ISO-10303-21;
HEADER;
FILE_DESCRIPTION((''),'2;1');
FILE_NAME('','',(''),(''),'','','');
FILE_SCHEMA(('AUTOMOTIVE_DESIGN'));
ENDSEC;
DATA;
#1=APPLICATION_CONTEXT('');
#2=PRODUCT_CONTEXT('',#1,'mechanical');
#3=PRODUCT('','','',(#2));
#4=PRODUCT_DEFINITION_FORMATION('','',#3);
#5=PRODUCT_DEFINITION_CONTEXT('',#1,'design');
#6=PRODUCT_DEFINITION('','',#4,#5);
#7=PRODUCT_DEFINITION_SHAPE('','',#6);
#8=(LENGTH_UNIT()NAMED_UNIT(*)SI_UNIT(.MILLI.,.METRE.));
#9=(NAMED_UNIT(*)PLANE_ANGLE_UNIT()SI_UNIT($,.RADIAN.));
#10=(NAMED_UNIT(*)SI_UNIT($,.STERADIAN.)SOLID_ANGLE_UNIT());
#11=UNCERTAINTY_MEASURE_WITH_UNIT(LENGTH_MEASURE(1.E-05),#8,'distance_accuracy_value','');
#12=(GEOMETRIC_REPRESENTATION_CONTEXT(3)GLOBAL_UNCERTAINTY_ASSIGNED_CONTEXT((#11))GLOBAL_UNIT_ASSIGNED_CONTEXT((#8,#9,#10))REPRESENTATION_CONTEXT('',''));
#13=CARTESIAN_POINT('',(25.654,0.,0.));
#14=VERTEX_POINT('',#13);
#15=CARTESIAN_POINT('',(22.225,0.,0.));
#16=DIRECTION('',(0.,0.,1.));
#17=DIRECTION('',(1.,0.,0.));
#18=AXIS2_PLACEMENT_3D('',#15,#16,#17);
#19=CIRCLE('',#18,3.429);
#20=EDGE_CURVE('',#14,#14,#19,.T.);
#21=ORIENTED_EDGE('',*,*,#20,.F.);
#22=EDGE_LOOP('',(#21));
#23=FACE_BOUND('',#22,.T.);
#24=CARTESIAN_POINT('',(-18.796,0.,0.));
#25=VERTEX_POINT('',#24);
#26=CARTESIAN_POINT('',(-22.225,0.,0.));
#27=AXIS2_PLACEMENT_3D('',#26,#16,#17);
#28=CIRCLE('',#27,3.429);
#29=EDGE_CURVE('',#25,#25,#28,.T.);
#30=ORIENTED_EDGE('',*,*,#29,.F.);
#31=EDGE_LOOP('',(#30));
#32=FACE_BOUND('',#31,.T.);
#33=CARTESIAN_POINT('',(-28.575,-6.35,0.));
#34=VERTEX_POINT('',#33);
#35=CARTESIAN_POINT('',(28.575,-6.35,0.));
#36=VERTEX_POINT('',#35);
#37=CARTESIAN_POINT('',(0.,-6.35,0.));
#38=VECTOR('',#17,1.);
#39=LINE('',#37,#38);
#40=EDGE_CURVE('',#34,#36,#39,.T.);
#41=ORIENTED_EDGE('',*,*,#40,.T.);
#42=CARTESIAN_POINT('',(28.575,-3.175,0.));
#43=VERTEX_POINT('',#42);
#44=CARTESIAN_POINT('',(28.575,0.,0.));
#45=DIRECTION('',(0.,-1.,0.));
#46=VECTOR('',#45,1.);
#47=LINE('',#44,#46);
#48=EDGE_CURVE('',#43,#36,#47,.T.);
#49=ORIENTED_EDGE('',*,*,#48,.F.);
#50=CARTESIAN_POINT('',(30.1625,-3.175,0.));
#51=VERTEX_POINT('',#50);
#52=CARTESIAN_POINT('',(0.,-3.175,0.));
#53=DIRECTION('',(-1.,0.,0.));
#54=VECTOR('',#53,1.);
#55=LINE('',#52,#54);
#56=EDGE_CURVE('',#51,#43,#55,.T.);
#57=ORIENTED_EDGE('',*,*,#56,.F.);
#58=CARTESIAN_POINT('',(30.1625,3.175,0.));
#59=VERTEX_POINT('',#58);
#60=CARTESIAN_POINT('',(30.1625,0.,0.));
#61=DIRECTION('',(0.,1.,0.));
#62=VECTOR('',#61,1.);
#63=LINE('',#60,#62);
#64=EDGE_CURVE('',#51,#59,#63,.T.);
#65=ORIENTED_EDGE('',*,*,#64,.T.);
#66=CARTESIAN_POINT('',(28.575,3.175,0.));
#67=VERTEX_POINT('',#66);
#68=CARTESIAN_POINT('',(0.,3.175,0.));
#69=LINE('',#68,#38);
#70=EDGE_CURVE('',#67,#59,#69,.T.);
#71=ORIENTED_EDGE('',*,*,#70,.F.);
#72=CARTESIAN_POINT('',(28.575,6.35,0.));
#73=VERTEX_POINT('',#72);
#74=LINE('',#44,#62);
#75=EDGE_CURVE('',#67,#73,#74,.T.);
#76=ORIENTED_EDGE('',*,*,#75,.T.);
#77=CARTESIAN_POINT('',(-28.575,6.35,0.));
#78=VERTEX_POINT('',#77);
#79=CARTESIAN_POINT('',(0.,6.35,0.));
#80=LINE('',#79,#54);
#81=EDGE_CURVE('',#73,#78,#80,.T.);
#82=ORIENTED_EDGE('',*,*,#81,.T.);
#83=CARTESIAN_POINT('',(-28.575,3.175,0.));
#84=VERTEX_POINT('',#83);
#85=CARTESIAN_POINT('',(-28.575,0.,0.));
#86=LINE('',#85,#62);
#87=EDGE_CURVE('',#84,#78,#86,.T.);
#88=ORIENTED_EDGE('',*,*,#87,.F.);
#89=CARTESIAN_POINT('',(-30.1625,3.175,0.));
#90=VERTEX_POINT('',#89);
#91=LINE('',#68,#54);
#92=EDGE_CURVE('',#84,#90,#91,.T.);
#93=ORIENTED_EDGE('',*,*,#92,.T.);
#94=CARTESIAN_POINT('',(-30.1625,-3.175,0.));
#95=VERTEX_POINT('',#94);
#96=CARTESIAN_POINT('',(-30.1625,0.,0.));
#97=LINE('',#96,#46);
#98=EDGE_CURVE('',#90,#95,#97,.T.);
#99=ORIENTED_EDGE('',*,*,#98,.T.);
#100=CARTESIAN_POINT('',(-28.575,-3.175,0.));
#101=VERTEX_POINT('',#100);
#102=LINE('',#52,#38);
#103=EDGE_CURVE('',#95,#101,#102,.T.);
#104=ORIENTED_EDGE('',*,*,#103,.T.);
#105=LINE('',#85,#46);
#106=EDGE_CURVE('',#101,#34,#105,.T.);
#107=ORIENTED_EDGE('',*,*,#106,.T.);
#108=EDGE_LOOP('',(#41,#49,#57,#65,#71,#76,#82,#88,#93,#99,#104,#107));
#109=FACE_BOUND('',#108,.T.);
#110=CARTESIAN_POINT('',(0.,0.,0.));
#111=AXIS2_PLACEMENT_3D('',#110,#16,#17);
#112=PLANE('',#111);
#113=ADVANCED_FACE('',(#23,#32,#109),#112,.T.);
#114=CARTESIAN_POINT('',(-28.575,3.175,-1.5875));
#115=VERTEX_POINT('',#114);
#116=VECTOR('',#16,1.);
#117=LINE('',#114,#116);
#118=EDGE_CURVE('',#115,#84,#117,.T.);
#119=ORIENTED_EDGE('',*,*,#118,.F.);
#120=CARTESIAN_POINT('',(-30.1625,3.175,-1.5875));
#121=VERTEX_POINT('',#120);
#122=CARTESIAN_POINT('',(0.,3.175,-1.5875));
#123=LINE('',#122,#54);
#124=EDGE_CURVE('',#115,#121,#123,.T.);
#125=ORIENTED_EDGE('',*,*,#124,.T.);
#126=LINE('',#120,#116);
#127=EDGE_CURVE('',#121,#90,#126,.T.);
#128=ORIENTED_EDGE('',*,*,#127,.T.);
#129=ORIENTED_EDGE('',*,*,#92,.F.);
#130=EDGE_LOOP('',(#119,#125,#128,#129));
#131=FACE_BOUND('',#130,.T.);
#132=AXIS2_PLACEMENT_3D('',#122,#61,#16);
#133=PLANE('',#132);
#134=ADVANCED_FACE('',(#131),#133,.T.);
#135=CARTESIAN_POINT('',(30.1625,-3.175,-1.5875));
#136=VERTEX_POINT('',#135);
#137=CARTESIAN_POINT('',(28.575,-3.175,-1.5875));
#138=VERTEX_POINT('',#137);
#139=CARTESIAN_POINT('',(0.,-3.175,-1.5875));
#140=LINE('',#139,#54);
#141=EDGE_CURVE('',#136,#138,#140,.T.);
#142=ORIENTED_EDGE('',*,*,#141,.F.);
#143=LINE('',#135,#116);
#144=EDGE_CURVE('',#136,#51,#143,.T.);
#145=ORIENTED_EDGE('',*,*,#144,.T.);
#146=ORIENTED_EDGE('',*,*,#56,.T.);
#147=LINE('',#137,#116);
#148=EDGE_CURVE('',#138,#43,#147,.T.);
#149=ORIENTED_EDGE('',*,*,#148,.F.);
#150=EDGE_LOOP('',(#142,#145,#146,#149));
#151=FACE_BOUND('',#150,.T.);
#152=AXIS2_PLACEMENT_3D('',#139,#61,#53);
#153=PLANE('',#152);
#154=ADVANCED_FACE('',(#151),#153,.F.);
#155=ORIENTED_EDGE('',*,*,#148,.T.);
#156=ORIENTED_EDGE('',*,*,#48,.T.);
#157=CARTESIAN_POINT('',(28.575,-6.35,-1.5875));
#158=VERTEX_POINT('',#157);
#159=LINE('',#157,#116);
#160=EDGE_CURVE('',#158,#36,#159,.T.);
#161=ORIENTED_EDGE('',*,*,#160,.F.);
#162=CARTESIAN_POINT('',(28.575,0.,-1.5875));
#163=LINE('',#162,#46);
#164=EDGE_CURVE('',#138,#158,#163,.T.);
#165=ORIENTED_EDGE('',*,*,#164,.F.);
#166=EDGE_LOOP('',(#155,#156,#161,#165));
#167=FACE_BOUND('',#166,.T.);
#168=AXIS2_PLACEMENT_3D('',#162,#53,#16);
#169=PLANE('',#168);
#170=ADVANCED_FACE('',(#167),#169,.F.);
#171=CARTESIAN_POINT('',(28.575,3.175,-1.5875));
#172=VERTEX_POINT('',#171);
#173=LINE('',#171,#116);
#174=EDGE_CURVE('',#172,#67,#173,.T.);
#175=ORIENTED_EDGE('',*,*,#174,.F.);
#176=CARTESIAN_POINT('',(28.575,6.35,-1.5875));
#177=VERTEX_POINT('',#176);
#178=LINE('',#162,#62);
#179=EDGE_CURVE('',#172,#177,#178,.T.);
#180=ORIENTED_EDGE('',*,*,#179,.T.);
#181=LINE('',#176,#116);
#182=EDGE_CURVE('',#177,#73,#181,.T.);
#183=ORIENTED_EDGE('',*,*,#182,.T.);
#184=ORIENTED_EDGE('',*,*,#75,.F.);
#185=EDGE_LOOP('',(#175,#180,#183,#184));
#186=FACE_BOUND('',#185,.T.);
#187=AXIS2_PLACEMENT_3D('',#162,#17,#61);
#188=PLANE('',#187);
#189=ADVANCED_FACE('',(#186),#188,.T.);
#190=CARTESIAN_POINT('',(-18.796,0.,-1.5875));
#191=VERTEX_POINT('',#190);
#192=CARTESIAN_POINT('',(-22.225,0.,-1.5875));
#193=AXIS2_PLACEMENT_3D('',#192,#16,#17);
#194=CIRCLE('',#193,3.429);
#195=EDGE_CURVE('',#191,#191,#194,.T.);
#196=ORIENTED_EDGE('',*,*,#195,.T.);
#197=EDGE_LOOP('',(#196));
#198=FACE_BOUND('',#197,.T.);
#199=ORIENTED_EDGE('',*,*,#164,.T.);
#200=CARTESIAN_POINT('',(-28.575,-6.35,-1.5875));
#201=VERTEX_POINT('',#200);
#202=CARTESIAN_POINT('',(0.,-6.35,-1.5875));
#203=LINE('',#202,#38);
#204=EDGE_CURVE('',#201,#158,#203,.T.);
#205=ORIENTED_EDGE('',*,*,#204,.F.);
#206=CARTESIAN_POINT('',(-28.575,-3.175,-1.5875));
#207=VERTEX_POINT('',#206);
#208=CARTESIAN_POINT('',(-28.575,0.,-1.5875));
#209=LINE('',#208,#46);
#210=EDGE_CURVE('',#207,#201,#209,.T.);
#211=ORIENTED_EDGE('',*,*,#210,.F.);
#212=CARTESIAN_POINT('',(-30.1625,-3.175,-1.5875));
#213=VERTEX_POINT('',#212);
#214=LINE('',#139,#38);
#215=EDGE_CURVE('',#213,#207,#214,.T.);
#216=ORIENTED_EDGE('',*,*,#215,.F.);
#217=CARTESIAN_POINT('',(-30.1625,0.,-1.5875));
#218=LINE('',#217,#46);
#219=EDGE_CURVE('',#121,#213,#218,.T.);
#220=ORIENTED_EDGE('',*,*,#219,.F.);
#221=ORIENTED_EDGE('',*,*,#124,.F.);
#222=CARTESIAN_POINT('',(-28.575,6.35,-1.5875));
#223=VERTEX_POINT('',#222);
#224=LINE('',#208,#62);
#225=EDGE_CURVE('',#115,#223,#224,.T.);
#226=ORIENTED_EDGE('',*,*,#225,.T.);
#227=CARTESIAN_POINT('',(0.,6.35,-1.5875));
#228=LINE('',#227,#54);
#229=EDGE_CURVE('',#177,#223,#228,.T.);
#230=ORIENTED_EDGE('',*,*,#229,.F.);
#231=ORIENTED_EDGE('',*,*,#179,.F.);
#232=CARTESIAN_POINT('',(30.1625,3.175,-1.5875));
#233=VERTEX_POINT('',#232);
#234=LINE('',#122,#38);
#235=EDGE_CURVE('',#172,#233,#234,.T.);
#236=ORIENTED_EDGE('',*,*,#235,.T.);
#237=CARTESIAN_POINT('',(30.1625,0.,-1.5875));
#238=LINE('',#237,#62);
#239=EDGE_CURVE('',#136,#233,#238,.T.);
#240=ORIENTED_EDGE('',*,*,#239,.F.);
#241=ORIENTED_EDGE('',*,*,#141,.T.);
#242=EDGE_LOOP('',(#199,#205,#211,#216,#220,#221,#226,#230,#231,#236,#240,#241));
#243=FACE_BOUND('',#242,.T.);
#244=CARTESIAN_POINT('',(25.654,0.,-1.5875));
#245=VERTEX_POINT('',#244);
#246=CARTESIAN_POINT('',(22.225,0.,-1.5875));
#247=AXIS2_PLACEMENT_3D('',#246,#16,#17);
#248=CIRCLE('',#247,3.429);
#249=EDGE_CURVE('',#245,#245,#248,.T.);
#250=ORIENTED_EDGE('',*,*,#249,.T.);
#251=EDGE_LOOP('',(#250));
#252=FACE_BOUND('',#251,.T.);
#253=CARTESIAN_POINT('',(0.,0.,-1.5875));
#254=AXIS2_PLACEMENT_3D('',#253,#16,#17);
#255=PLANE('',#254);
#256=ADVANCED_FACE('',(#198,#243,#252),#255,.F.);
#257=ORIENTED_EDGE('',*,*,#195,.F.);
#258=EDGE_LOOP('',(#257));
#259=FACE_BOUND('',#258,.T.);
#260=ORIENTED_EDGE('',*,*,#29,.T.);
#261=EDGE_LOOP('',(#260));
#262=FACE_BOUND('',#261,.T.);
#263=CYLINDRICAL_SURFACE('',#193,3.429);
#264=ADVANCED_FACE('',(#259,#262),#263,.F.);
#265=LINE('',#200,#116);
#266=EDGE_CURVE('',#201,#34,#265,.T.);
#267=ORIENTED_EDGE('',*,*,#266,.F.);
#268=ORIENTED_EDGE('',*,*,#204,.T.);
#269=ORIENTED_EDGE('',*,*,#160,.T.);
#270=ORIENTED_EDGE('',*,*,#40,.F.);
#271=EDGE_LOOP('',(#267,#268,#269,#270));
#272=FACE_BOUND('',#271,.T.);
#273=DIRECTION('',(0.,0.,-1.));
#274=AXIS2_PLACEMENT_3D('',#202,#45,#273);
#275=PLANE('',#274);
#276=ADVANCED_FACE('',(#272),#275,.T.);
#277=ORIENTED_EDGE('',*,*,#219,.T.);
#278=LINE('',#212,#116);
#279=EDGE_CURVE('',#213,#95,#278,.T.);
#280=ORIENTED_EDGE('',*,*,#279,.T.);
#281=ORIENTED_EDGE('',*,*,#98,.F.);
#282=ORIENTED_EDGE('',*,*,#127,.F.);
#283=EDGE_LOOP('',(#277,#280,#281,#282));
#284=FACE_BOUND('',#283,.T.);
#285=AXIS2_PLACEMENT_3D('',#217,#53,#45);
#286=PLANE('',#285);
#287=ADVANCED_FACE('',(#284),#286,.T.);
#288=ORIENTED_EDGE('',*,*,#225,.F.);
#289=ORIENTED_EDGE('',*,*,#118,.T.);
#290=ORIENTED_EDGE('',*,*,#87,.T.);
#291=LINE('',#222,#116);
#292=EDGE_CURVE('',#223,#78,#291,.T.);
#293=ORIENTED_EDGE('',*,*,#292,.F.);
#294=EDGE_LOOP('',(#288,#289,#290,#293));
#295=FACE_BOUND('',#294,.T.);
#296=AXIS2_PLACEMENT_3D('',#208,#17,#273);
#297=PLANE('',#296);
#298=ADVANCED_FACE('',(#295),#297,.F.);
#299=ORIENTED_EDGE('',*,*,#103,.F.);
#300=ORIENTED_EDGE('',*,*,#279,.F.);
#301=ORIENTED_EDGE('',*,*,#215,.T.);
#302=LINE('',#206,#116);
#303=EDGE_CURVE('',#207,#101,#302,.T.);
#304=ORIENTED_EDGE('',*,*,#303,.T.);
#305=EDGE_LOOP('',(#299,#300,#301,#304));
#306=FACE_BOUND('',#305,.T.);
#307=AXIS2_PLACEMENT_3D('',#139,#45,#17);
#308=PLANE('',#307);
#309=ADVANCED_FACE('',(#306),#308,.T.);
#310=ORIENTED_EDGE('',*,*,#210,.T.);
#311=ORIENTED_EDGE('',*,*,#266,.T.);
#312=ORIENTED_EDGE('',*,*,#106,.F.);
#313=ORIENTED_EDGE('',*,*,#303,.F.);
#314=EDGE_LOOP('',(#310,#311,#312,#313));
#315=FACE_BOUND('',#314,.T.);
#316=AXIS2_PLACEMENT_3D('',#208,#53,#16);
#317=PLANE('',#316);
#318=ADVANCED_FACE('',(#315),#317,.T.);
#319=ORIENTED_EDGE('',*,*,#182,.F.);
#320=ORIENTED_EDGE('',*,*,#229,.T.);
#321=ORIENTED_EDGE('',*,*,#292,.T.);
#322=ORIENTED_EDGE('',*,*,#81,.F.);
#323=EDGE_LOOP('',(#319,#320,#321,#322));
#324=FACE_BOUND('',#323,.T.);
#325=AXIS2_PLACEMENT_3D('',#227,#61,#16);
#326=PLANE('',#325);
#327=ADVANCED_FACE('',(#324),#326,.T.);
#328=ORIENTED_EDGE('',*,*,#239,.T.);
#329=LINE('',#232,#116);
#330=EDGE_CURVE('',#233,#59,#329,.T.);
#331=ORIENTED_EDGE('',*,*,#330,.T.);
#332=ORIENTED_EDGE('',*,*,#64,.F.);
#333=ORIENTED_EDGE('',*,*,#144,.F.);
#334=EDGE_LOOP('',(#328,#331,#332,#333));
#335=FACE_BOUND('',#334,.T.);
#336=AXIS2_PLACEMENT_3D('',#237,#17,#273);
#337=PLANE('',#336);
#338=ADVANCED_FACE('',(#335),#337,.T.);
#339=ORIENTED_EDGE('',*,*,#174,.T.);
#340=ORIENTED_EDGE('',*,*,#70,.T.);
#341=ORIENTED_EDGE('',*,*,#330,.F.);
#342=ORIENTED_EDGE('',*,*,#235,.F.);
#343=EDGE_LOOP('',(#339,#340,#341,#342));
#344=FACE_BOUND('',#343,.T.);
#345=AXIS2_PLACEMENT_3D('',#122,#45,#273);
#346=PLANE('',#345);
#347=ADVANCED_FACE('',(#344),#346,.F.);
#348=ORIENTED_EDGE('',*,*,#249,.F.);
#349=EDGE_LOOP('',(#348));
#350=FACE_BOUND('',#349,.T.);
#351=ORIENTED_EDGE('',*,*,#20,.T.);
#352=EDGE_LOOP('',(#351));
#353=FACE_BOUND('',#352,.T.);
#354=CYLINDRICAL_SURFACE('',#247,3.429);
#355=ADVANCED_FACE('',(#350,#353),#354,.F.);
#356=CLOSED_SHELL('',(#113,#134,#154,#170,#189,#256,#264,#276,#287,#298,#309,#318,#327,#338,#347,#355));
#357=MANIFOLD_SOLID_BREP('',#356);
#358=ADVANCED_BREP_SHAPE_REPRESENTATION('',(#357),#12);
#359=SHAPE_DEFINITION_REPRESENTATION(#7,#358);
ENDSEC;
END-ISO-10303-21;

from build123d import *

# Parameters (mm, degrees)
SKETCH1_R           = 3.429
BOSS_EXTRUDE1_DEPTH = 1.5875


with BuildPart() as part:
    # Sketch1 → Boss-Extrude1 (new body)
    with BuildSketch(Plane.XY):
        Polygon((28.575, -3.175), (30.1625, -3.175), (30.1625, 3.175), (28.575, 3.175), (28.575, 6.35), (-28.575, 6.35), (-28.575, 3.175), (-30.1625, 3.175), (-30.1625, -3.175), (-28.575, -3.175), (-28.575, -6.35), (28.575, -6.35), align=None)
        with Locations((-22.225, 0)):
            Circle(SKETCH1_R, mode=Mode.SUBTRACT)
        with Locations((22.225, 0)):
            Circle(SKETCH1_R, mode=Mode.SUBTRACT)
    extrude(amount=-BOSS_EXTRUDE1_DEPTH)


solid = part.part
